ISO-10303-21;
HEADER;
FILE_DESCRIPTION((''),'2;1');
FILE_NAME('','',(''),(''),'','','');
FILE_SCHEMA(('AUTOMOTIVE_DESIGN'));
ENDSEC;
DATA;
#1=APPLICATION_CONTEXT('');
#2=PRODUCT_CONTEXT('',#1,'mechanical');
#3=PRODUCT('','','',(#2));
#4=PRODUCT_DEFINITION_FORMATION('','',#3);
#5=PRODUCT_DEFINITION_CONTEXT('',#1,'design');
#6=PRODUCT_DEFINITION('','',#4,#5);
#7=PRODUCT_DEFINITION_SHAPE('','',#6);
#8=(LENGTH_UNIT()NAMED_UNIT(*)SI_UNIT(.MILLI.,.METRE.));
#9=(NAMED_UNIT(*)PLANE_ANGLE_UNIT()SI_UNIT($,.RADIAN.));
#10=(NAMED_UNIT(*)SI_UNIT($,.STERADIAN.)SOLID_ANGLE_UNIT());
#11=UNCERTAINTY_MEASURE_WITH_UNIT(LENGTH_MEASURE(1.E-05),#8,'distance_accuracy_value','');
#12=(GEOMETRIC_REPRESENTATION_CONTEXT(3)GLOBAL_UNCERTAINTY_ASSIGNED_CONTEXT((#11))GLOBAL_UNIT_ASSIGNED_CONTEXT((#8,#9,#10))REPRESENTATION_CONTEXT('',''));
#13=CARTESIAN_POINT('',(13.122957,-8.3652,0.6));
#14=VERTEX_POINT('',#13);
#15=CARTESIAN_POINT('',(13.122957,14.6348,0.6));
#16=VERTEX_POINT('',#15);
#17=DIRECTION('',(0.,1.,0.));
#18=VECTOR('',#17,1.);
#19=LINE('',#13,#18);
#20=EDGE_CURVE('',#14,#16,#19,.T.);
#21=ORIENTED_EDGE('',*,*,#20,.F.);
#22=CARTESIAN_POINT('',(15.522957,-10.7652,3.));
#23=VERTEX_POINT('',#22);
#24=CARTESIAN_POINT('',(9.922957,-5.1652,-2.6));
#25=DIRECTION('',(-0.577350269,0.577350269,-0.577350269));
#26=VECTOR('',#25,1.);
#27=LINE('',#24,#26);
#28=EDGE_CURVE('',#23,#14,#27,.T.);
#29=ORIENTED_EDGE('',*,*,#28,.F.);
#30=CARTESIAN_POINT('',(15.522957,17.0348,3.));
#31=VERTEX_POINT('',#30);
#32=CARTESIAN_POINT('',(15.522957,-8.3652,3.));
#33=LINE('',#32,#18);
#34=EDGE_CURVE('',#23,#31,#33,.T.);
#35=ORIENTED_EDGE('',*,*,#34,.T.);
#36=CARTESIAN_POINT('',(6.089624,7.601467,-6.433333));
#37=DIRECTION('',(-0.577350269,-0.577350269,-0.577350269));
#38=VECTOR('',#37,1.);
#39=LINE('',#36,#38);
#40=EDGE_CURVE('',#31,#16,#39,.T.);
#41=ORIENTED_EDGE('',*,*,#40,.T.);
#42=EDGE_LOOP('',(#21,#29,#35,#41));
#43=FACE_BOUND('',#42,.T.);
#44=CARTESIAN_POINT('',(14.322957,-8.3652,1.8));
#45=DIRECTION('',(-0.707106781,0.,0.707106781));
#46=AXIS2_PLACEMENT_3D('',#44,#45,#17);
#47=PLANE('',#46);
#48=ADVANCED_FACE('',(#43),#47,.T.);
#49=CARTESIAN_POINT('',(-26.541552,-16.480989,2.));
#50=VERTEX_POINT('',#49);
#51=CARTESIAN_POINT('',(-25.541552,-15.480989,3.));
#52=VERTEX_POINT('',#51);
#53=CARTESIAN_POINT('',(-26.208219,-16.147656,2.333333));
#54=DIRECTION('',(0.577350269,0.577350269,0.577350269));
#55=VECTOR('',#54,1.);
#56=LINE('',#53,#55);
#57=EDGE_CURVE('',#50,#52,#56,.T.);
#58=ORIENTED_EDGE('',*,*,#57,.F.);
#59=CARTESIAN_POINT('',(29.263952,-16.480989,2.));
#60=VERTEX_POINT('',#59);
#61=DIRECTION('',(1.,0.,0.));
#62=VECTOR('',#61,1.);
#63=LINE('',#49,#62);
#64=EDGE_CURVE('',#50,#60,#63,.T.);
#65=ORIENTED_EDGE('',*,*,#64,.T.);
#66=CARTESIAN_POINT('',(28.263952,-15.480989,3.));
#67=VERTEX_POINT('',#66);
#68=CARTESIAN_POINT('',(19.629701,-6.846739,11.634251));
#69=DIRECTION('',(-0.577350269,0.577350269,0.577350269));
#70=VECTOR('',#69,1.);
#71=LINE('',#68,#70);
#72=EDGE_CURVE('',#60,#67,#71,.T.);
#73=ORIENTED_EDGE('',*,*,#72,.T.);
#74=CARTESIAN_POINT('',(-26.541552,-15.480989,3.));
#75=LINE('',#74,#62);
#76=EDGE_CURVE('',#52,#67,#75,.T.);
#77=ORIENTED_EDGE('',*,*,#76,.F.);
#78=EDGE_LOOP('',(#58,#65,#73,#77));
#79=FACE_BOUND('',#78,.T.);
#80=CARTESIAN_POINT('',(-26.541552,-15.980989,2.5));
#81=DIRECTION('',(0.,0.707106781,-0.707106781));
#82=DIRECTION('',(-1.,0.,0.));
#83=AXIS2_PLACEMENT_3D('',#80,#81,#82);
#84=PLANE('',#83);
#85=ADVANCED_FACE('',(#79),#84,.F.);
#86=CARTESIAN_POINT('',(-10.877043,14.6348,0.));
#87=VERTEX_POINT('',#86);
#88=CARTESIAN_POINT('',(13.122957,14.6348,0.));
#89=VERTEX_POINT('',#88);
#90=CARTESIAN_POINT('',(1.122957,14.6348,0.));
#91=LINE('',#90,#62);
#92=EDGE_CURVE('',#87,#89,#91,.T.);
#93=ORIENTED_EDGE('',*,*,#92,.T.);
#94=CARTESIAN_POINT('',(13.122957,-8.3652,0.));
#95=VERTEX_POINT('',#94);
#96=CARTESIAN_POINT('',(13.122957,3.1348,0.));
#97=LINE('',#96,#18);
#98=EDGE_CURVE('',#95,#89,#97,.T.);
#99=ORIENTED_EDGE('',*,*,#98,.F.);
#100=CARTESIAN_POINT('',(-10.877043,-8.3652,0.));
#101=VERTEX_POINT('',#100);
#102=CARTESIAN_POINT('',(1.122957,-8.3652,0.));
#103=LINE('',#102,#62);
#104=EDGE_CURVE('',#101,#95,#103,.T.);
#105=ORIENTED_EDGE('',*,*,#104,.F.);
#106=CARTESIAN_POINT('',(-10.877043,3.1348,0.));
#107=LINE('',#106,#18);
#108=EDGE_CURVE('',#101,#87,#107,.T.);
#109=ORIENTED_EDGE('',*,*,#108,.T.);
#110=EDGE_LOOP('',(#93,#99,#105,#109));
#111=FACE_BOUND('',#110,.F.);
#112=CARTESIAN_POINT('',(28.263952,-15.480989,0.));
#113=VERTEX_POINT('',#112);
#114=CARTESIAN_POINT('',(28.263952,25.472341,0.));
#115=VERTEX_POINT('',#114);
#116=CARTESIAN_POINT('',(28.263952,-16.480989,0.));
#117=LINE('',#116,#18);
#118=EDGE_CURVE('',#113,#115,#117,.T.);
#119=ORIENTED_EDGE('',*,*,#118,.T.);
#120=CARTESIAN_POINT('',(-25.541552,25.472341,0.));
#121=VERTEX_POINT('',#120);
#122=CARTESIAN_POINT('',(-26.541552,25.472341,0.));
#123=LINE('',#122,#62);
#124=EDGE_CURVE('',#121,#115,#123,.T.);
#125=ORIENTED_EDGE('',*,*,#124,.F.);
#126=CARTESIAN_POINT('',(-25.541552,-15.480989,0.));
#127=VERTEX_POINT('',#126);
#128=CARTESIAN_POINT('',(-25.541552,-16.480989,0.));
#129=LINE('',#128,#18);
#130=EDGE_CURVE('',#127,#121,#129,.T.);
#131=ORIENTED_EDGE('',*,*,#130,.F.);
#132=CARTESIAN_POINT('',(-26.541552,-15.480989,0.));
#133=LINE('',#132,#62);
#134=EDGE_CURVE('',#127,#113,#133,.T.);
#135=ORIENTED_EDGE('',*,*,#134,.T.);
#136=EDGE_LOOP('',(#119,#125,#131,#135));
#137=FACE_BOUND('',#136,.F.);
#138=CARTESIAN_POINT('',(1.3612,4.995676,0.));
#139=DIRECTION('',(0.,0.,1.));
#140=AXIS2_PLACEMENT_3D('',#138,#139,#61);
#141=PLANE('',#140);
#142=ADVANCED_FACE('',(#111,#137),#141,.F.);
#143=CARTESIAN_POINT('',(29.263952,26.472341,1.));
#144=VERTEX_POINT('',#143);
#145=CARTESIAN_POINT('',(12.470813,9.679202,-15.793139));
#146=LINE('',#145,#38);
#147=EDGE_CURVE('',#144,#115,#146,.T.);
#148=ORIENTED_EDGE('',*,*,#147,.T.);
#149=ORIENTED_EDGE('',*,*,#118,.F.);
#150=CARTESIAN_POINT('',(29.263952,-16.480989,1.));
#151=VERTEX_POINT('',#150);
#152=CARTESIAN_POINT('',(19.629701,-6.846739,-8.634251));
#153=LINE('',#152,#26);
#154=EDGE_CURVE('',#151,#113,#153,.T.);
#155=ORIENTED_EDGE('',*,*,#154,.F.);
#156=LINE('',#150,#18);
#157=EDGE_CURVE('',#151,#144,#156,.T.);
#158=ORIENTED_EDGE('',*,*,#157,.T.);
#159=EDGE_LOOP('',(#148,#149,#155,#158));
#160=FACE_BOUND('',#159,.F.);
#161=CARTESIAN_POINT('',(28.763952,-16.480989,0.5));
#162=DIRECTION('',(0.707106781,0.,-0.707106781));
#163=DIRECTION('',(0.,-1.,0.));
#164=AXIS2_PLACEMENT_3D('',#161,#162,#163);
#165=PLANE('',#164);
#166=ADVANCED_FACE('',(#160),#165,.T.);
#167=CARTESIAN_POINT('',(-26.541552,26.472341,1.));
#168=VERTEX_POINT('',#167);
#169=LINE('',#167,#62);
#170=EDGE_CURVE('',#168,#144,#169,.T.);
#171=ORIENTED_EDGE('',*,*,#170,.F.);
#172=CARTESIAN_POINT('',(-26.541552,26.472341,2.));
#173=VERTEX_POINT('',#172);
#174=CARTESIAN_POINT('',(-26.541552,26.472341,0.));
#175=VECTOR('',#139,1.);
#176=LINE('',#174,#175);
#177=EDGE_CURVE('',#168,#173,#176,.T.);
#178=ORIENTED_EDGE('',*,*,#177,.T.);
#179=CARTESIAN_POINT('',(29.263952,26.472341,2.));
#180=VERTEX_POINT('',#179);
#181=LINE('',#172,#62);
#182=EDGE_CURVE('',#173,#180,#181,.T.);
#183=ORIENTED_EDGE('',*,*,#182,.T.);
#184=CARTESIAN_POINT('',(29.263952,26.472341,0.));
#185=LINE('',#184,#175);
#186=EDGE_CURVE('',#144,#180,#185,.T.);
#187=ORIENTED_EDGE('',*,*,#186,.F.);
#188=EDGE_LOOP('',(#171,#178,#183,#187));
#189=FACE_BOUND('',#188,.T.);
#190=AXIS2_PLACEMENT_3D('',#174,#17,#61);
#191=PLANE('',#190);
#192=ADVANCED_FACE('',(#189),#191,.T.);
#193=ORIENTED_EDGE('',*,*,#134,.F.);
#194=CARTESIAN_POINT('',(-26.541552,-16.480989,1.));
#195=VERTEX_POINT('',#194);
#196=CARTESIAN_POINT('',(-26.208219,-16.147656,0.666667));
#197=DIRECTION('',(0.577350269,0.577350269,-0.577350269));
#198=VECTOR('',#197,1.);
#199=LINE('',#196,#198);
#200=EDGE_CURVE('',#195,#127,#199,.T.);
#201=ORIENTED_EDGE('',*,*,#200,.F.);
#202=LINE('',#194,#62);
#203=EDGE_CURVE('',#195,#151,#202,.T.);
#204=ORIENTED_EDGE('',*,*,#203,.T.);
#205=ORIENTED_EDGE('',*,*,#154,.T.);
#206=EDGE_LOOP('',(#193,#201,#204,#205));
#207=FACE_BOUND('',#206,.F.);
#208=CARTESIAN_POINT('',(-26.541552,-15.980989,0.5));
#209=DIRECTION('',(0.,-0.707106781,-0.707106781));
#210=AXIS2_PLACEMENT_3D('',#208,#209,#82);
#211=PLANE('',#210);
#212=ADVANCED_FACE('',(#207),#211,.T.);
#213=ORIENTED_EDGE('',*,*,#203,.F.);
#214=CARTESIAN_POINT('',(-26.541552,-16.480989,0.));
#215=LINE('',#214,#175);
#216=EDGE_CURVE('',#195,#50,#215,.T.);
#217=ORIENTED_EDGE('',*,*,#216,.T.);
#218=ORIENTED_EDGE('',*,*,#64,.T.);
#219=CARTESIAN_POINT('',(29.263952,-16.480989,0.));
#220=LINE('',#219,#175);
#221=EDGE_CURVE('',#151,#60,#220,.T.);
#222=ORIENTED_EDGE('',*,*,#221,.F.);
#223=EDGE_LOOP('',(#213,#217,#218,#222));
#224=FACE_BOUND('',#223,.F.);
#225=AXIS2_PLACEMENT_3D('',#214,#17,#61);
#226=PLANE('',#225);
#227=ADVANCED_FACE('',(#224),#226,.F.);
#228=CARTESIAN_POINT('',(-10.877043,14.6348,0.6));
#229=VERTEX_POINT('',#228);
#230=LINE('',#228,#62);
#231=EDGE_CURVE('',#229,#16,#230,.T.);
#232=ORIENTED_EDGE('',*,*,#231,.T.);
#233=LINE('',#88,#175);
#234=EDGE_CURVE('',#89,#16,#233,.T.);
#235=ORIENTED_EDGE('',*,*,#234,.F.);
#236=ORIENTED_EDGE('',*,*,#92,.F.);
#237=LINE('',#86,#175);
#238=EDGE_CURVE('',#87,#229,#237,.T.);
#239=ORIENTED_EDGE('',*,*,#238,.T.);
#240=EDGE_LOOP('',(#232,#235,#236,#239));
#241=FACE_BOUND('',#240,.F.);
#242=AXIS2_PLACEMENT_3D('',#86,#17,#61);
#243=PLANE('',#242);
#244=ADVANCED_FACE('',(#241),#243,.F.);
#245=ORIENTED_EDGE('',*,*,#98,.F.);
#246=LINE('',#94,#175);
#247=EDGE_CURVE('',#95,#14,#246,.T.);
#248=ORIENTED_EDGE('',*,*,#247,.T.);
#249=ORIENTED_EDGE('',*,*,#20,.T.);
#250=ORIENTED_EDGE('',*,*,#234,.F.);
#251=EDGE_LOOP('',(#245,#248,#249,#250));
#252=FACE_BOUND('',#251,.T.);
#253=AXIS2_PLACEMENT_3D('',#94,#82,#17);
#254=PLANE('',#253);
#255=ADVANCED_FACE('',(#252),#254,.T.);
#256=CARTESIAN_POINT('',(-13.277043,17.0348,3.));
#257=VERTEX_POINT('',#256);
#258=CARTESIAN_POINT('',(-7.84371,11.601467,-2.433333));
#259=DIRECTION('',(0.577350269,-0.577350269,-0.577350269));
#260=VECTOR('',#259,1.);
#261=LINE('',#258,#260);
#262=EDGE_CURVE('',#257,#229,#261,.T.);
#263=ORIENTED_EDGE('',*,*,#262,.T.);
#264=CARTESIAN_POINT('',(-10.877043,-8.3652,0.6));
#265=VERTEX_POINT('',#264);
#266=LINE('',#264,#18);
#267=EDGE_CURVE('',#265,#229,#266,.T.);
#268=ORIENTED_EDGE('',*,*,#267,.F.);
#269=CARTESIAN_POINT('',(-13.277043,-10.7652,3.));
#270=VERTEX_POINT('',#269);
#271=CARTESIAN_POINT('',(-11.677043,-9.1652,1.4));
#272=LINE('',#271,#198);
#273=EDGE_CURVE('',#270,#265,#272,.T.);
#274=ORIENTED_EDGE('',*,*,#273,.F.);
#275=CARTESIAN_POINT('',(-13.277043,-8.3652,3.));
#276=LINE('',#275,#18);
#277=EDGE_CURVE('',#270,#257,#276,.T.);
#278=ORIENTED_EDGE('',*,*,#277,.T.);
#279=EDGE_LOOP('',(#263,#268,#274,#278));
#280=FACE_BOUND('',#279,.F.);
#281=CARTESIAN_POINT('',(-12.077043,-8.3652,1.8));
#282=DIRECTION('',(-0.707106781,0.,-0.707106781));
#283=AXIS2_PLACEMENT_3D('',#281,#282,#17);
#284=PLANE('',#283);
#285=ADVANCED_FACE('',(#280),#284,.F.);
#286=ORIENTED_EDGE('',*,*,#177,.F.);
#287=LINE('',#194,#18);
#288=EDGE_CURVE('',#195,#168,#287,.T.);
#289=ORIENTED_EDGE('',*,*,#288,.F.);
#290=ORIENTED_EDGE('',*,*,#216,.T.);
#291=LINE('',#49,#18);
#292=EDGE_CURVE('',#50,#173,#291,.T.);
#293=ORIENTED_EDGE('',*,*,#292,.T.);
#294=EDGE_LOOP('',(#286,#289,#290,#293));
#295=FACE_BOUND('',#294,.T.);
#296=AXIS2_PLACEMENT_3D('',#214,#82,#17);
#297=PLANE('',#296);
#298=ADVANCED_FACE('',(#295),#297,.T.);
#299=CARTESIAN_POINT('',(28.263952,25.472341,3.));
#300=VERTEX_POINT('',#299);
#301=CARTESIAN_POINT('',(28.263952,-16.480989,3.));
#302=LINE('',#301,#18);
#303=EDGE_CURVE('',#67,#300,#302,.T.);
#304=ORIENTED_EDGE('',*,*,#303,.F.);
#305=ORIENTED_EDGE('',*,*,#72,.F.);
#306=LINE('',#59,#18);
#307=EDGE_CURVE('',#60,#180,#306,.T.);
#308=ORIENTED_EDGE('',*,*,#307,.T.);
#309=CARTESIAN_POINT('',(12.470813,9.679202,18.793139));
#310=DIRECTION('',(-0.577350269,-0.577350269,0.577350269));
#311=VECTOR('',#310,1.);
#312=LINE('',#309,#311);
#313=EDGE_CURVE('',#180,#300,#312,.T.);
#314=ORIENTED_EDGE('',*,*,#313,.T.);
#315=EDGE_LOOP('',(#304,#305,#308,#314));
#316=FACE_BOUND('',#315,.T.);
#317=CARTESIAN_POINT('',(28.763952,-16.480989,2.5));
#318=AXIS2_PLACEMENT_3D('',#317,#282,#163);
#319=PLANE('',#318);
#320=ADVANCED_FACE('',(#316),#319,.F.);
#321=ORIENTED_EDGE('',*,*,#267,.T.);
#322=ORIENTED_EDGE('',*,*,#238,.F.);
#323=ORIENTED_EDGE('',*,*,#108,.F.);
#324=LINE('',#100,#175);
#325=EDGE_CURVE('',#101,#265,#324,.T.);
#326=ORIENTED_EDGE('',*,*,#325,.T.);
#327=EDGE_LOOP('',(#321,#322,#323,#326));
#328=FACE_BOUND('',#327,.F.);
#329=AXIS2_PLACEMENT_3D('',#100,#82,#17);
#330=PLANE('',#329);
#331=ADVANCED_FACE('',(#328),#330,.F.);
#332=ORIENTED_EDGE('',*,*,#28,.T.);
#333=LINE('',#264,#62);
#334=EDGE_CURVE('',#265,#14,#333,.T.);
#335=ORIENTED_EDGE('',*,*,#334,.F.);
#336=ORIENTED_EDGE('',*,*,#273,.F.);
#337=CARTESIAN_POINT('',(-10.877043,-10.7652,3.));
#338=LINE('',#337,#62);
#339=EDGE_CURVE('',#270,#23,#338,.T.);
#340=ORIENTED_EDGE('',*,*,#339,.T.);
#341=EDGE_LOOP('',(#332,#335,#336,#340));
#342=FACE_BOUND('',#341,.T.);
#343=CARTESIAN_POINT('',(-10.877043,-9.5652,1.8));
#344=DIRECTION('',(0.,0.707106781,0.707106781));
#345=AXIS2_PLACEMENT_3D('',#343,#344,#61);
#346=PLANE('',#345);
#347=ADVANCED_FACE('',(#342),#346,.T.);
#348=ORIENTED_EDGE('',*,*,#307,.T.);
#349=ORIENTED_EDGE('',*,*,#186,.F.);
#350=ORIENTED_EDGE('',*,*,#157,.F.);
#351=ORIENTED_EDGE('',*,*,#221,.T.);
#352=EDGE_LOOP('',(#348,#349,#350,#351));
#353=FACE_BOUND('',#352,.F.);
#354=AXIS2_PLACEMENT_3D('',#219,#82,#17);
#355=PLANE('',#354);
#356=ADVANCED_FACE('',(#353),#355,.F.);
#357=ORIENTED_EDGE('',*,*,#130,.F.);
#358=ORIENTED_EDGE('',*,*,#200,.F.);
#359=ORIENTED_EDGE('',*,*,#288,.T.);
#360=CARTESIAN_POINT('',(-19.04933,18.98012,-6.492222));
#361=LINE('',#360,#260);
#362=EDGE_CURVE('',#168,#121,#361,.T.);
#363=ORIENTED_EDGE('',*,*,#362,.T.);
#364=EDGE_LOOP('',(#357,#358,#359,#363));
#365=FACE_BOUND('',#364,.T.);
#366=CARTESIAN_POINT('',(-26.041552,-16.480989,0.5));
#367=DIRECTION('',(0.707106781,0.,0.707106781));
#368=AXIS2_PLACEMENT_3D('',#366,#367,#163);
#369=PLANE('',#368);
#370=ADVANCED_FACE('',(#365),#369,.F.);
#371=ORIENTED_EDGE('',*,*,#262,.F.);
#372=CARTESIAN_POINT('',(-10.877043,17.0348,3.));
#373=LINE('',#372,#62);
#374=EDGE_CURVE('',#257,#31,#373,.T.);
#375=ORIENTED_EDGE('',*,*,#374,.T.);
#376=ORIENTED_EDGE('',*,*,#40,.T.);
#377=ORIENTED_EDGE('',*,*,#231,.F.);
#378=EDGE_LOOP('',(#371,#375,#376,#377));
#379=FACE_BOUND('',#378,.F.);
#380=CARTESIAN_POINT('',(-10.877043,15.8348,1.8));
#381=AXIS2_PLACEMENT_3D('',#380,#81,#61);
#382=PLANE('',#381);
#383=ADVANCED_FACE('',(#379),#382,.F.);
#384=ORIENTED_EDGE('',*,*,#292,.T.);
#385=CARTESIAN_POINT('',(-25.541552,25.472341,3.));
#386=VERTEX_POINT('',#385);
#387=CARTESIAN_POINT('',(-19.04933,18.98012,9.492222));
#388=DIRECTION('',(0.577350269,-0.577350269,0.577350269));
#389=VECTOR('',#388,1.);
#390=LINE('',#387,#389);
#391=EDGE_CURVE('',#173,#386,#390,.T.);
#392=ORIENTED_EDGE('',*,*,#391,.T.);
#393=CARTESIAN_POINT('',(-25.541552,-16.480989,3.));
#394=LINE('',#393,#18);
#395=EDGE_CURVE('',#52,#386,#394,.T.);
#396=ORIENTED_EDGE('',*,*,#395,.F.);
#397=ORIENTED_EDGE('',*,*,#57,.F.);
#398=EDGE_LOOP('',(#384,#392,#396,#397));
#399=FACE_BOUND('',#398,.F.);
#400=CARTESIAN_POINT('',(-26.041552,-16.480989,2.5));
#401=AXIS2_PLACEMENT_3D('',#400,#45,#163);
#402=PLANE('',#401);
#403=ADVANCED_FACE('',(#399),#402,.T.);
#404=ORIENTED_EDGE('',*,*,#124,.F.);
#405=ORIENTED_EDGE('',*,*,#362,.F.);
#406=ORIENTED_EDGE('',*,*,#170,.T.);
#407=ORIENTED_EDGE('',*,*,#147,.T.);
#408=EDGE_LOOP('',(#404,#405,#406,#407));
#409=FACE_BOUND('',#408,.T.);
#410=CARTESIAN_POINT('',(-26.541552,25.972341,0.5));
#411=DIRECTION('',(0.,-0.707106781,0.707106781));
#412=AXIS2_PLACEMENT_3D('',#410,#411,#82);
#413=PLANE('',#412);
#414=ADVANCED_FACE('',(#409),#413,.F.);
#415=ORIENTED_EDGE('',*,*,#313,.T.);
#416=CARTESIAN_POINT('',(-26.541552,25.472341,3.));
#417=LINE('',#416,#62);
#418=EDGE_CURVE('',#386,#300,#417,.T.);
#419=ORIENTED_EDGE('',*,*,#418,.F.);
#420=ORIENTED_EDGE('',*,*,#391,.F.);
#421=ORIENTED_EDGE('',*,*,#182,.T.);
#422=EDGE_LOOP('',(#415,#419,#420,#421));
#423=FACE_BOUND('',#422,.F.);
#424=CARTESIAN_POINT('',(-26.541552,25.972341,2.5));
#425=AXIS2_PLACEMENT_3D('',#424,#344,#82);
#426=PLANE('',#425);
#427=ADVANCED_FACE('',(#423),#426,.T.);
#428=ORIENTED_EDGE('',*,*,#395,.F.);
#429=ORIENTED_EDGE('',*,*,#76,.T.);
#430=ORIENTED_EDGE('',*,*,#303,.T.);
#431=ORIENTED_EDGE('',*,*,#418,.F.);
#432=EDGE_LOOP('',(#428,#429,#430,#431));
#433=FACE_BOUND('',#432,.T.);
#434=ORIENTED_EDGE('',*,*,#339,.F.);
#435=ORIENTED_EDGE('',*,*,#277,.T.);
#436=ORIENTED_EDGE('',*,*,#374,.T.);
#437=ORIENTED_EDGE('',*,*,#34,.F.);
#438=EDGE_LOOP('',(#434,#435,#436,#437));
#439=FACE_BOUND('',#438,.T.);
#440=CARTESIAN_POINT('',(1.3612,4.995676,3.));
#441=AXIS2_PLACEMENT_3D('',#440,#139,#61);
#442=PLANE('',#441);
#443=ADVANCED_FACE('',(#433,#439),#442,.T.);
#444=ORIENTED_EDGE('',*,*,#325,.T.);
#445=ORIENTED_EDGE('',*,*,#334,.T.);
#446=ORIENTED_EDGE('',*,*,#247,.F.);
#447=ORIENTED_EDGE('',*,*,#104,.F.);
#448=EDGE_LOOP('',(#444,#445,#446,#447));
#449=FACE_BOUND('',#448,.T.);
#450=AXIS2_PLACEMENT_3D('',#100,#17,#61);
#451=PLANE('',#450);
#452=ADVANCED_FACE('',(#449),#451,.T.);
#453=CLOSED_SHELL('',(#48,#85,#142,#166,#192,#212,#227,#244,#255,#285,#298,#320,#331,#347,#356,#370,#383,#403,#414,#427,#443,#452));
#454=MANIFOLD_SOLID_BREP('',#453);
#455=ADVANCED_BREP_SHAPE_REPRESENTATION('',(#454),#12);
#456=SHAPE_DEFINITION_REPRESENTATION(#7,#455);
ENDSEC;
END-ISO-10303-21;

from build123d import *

# Parameters (mm, degrees)
SKETCH006_W     = 55.805504
SKETCH006_H     = 42.953331
SKETCH006_W_2   = 24
SKETCH006_H_2   = 23
PAD003_DEPTH    = 3
CHAMFER001_SIZE = 1
CHAMFER002_SIZE = 2.4


with BuildPart() as part:
    # Sketch006 → Pad003 (new body)
    with BuildSketch(Plane.XY):
        with Locations((1.3612, 4.995676)):
            Rectangle(SKETCH006_W, SKETCH006_H)
        with Locations((1.122957, 3.1348)):
            Rectangle(SKETCH006_W_2, SKETCH006_H_2, mode=Mode.SUBTRACT)
    extrude(amount=PAD003_DEPTH)

    # Chamfer001
    chamfer001_edges = [part.edges().sort_by_distance(p)[0] for p in [
        (1.3612, -16.480989, 3),
        (29.263952, 4.995676, 3),
        (1.3612, 26.472342, 3),
        (-26.541552, 4.995677, 3),
        (1.3612, -16.480989, 0),
        (29.263952, 4.995676, 0),
        (1.3612, 26.472342, 0),
        (-26.541552, 4.995677, 0),
    ]]
    chamfer(chamfer001_edges, length=CHAMFER001_SIZE)

    # Chamfer002
    chamfer002_edges = [part.edges().sort_by_distance(p)[0] for p in [
        (1.122957, 14.6348, 3),
        (13.122957, 3.1348, 3),
        (1.122957, -8.3652, 3),
        (-10.877043, 3.1348, 3),
    ]]
    chamfer(chamfer002_edges, length=CHAMFER002_SIZE)


solid = part.part
